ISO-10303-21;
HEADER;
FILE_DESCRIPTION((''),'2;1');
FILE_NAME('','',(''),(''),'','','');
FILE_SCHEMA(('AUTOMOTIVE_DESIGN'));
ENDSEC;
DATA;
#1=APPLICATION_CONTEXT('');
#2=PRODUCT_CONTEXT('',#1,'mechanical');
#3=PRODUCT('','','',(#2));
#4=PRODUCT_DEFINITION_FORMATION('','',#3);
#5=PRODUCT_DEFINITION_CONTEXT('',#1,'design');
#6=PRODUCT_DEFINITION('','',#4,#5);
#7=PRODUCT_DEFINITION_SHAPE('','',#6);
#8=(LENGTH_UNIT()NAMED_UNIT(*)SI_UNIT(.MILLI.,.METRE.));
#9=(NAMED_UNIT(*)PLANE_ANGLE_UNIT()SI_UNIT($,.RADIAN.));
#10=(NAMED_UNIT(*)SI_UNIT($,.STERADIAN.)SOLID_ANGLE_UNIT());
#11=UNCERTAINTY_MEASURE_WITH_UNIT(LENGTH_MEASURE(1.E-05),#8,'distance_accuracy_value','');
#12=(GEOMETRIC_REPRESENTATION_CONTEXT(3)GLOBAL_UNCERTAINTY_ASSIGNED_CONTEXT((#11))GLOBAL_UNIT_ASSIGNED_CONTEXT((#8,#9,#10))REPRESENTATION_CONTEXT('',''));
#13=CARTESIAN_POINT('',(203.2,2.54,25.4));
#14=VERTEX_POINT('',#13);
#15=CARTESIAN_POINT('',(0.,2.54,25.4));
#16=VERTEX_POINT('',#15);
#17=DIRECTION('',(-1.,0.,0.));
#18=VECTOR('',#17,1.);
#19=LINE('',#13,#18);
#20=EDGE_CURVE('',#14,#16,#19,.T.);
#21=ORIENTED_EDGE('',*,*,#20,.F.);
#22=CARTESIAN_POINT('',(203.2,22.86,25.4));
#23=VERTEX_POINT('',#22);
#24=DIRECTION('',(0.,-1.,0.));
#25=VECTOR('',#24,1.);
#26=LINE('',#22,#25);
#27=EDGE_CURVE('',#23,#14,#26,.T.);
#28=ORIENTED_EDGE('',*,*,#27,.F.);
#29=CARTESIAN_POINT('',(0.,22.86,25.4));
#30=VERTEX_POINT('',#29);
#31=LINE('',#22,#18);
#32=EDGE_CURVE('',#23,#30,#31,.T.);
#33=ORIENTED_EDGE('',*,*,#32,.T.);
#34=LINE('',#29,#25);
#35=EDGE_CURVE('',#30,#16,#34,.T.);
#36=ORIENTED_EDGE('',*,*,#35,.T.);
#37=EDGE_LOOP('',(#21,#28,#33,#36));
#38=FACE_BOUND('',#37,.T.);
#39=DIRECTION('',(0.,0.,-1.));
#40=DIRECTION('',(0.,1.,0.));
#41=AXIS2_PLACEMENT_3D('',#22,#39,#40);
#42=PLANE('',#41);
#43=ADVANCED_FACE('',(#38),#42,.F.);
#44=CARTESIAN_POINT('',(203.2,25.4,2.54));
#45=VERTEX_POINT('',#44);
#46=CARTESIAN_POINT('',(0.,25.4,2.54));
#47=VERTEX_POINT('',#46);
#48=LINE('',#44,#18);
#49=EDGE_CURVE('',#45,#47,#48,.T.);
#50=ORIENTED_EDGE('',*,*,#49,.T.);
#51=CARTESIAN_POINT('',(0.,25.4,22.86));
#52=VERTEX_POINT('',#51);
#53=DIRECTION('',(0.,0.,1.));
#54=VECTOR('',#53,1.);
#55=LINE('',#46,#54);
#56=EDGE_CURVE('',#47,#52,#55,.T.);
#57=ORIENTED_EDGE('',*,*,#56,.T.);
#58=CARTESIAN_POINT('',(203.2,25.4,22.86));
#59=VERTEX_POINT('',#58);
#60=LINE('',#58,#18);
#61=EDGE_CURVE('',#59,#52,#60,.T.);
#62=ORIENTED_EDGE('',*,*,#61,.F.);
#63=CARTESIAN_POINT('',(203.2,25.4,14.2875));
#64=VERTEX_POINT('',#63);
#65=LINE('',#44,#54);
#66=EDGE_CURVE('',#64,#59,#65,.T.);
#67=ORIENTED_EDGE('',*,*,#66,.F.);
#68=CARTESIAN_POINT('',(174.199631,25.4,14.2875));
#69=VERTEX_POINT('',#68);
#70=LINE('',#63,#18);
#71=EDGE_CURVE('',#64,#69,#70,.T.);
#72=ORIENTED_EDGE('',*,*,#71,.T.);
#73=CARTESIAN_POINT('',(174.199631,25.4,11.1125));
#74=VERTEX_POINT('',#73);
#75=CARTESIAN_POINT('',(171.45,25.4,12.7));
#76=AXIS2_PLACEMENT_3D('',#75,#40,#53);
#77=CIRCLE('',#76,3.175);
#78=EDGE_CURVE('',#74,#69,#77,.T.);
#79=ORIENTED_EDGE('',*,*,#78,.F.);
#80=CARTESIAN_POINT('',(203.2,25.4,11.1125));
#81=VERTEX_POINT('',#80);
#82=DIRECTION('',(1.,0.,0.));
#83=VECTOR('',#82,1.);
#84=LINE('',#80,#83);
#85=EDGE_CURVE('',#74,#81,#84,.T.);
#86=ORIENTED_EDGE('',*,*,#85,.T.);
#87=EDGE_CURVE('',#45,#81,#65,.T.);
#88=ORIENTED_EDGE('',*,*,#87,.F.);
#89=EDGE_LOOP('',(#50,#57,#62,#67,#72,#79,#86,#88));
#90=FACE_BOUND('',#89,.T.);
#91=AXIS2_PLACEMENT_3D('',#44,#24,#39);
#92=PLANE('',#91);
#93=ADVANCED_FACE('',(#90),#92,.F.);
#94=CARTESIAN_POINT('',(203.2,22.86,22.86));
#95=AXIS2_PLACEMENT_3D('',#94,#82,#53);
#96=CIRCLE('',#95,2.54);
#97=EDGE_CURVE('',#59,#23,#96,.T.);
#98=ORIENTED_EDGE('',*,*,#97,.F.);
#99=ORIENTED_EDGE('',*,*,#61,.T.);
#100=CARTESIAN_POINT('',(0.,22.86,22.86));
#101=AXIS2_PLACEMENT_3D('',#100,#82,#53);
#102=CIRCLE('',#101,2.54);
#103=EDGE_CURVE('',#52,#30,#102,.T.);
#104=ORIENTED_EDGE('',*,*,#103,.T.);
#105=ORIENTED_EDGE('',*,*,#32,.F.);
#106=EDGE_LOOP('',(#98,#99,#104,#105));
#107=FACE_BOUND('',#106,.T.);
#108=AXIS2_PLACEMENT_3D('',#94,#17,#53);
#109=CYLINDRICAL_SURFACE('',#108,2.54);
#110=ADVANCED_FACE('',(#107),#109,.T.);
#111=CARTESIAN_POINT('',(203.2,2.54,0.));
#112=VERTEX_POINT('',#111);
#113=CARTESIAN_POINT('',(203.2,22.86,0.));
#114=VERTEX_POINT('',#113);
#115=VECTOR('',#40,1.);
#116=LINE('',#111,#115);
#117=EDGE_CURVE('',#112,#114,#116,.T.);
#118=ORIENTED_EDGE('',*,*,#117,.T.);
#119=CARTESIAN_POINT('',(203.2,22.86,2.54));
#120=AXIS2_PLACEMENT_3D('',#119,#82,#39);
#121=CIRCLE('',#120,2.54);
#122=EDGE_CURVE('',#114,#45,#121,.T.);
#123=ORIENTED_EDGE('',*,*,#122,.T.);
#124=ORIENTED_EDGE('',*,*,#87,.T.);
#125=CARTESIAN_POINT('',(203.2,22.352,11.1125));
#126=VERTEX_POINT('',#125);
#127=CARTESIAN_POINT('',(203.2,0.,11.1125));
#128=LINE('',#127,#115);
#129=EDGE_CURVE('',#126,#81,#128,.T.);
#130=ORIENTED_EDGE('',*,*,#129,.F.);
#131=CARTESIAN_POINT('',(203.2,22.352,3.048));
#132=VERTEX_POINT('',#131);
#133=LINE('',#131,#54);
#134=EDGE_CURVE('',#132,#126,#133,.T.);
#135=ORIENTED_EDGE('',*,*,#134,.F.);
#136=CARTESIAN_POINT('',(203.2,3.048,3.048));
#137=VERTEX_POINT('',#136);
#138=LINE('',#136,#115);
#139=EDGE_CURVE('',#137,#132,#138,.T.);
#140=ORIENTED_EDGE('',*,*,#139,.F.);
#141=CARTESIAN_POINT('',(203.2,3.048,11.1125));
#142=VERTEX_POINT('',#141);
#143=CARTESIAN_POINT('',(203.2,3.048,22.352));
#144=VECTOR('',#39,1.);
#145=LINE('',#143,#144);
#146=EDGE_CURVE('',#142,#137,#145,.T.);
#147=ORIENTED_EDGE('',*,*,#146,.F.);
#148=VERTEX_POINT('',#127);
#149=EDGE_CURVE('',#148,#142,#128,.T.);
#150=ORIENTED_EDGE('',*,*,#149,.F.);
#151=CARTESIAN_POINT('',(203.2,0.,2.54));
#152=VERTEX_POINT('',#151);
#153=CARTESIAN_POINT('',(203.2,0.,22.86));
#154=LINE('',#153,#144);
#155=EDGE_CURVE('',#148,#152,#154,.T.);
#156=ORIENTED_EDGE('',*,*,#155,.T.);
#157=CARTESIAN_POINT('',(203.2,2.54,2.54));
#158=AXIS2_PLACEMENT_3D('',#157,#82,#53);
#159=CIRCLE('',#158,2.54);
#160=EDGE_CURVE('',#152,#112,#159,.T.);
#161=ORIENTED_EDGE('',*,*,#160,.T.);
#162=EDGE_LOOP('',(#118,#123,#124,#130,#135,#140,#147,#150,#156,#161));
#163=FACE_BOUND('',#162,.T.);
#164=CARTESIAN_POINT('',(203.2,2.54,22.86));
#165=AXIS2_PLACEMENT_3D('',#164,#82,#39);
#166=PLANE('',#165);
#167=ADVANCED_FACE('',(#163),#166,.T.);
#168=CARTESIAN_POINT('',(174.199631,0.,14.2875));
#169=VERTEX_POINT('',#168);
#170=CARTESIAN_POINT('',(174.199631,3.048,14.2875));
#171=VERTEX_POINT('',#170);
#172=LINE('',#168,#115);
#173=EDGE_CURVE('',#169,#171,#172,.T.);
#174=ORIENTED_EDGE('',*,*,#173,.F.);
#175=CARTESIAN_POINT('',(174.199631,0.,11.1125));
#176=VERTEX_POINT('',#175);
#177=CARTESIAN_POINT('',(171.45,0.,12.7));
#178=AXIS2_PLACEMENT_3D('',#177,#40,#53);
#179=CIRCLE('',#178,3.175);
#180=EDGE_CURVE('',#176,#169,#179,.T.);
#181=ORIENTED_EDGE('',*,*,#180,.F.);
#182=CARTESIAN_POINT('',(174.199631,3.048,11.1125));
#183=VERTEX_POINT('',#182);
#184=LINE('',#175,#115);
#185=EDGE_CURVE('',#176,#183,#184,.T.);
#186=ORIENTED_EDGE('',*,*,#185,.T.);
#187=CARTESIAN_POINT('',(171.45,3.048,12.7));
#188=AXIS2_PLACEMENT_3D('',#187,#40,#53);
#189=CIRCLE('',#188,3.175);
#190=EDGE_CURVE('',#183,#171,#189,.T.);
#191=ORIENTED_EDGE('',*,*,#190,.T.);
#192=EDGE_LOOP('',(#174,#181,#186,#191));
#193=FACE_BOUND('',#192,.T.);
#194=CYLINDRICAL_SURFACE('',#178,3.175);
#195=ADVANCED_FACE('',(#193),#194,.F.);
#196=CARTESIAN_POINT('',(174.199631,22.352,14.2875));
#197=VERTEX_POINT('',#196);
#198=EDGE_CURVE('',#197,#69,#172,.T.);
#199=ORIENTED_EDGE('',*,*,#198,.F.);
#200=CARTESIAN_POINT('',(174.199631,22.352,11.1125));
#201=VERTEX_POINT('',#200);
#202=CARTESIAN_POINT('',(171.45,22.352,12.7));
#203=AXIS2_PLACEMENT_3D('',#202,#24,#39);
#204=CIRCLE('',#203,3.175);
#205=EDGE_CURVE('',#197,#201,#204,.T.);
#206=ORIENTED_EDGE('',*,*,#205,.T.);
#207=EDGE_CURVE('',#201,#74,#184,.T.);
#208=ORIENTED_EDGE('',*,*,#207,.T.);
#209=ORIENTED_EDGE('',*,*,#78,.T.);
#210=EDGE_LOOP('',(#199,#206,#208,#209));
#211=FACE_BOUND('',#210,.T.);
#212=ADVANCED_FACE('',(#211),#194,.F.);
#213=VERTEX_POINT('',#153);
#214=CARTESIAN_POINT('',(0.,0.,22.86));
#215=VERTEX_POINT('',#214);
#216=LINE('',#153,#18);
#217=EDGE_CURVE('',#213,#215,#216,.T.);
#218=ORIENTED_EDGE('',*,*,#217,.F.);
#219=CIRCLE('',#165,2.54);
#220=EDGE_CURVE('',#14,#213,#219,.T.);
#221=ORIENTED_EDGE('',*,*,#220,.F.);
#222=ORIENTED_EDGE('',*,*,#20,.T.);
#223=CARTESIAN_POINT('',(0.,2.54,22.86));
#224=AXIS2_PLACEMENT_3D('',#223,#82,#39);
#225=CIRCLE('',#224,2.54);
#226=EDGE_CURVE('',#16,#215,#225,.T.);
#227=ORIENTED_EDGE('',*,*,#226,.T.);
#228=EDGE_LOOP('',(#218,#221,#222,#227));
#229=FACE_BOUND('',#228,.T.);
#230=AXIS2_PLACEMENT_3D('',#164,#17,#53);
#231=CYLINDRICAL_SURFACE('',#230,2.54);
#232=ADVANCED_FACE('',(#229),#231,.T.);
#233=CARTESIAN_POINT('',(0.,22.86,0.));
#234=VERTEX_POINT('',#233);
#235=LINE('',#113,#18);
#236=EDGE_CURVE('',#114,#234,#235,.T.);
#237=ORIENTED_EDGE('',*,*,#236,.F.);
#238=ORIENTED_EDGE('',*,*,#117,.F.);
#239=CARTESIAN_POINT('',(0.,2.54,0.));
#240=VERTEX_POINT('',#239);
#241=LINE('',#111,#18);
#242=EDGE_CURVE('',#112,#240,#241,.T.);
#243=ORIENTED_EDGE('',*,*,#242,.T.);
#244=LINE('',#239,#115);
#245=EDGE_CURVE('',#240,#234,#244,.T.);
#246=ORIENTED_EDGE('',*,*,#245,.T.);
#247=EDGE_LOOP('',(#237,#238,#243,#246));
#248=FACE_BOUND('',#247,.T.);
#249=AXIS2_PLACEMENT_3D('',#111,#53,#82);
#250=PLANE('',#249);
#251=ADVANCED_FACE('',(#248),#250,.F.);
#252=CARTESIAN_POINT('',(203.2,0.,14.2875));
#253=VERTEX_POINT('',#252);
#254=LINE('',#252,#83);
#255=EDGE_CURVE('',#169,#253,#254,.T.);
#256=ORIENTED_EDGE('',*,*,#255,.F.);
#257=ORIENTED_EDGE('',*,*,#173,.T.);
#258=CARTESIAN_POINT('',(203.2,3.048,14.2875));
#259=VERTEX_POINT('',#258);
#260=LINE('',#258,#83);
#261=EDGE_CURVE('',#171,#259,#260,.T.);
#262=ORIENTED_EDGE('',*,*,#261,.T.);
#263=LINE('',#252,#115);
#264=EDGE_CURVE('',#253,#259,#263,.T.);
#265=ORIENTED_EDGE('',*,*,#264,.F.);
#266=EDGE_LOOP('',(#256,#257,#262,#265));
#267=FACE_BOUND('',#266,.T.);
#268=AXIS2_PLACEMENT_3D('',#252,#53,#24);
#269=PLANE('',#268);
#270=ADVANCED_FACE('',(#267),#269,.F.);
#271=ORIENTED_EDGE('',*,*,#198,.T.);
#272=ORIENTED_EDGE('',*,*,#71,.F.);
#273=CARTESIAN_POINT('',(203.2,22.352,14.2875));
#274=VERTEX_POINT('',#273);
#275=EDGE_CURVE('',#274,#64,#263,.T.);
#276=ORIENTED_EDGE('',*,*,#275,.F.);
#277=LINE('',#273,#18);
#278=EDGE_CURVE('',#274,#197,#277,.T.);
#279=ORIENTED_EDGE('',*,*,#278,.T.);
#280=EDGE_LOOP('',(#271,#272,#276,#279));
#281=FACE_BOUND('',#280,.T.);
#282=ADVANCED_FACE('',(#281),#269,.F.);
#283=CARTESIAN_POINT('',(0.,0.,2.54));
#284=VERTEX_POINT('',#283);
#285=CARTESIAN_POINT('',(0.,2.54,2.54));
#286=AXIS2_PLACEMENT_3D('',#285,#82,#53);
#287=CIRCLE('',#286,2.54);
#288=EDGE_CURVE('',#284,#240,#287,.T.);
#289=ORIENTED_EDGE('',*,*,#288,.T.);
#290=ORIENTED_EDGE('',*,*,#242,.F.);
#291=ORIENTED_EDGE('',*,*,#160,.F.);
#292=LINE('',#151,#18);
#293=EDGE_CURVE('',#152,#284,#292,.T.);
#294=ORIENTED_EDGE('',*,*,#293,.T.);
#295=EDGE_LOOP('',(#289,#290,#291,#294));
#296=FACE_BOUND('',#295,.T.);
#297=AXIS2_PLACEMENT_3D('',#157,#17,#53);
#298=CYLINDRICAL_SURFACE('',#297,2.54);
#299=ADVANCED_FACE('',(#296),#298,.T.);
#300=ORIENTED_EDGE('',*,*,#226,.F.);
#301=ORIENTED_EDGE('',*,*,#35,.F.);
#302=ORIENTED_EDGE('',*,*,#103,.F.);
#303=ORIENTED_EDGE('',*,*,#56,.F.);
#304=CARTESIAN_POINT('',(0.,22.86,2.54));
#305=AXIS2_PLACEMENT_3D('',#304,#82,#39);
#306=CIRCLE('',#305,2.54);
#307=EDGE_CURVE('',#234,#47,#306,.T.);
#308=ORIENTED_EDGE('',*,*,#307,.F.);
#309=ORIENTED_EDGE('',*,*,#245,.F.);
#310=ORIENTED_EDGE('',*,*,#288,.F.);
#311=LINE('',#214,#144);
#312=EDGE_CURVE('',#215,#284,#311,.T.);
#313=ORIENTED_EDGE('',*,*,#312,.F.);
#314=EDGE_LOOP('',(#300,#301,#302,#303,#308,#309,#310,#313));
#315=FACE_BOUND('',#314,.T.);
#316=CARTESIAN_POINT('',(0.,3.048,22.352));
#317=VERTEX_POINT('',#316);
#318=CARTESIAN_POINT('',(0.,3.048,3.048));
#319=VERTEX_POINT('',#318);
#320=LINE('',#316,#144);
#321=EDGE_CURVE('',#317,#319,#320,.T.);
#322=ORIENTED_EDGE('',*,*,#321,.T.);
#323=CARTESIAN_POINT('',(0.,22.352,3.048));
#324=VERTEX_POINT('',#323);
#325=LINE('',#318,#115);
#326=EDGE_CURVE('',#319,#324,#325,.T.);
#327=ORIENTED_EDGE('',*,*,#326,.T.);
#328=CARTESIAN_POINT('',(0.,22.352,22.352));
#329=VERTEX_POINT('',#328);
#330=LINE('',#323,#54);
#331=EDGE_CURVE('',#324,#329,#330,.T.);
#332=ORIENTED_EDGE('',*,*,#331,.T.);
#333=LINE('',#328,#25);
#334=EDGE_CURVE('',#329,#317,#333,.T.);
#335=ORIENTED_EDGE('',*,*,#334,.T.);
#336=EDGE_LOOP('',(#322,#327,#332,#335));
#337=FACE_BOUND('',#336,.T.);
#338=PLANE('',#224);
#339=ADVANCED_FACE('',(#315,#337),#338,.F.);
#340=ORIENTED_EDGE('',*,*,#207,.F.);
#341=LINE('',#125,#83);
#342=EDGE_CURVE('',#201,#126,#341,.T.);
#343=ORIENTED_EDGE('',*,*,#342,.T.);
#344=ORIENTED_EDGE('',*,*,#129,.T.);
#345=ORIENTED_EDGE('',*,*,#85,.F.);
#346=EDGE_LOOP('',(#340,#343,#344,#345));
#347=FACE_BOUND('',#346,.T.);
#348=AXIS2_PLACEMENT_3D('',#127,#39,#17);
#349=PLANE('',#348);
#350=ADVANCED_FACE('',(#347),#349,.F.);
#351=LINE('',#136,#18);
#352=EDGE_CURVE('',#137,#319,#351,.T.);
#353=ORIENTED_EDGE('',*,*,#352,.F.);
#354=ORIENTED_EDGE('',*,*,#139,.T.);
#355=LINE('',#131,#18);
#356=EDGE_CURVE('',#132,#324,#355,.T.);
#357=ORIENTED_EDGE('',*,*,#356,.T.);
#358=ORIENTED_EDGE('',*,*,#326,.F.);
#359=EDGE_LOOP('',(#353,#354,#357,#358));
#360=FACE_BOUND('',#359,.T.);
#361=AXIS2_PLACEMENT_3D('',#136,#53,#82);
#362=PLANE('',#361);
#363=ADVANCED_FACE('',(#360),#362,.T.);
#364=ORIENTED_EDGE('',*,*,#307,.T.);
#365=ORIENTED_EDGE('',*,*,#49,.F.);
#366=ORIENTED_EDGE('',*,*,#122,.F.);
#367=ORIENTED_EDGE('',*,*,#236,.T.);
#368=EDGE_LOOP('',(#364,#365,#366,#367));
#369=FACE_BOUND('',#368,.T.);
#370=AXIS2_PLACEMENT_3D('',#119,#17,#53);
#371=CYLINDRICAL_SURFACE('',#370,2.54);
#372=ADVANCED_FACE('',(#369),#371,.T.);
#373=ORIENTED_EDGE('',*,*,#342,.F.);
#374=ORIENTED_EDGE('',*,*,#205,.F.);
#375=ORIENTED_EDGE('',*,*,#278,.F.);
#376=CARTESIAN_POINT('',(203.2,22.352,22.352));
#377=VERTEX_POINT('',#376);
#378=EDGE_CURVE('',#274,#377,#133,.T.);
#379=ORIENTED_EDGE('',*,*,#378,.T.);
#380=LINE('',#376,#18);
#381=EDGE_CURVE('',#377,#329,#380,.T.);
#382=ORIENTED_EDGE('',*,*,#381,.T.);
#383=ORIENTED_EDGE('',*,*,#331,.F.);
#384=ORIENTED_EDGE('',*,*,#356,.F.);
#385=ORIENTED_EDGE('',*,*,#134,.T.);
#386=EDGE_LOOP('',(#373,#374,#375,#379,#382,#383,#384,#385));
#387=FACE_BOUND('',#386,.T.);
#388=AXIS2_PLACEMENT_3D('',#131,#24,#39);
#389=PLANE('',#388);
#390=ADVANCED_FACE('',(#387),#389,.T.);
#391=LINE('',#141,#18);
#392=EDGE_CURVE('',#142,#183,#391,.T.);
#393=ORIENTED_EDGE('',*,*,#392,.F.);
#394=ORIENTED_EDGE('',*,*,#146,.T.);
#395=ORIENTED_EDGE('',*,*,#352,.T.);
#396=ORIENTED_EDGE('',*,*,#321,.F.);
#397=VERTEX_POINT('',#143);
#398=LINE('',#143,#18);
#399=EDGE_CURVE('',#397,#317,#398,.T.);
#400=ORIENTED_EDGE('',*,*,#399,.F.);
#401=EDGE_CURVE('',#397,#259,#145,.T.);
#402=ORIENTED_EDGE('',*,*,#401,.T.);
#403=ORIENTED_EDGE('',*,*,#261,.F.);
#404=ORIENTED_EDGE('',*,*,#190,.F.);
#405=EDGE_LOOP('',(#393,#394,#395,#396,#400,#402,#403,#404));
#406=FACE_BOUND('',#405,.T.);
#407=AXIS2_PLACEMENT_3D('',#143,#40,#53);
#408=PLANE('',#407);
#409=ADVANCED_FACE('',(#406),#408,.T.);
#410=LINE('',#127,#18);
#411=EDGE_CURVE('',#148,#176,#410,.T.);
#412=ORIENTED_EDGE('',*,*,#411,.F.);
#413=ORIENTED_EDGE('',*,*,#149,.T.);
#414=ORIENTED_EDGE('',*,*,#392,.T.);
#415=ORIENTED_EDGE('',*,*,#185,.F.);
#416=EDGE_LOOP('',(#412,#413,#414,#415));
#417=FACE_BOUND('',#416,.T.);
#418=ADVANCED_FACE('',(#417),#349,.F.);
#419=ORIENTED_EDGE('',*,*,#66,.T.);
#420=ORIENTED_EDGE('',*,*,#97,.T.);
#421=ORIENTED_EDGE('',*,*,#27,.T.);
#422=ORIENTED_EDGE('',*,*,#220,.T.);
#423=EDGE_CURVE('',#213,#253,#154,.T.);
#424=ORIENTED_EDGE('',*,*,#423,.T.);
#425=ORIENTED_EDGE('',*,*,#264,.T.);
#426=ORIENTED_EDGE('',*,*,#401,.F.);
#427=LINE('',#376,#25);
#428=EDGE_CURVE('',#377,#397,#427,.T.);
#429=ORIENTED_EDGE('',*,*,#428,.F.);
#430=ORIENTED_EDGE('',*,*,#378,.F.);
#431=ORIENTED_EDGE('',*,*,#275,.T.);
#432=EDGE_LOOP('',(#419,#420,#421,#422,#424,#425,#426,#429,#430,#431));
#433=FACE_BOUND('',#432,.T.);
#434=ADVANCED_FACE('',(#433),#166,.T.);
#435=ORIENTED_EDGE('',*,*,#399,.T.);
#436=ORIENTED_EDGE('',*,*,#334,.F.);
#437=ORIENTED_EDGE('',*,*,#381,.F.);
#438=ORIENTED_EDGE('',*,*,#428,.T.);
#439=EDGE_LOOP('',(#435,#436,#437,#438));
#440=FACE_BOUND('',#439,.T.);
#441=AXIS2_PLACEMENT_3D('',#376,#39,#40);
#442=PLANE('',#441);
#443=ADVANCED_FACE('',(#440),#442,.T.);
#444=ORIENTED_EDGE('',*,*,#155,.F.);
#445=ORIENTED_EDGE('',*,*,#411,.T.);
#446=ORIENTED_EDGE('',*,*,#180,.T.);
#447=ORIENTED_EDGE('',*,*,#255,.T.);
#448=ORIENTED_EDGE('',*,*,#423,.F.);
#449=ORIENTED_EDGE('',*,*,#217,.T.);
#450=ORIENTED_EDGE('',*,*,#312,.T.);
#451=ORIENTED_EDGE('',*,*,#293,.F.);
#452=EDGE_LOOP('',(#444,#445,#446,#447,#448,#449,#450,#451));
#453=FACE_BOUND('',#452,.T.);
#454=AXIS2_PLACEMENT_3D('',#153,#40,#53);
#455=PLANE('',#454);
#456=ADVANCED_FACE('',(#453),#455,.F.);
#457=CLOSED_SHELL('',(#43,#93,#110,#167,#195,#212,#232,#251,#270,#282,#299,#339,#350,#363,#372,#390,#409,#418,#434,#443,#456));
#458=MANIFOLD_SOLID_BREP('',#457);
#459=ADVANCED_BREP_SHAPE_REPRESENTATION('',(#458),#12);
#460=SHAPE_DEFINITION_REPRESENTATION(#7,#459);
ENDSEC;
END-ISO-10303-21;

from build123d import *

# Parameters (mm, degrees)
SKETCH1_W               = 19.304
SKETCH1_H               = 19.304
BOSS_EXTRUDE1_DEPTH     = 203.2
CUT_EXTRUDE1_DEPTH      = 207.350575478
CUT_EXTRUDE1_DEPTH_BACK = 207.350575478


with BuildPart() as part:
    # Sketch1 → Boss-Extrude1 (new body)
    with BuildSketch(Plane(origin=(0, 0, 0), x_dir=(0, 0, -1), z_dir=(1, 0, 0))):
        with BuildLine():
            Line((0, 2.54), (0, 22.86))
            ThreePointArc((0, 22.86), (-0.743948776, 24.656051224), (-2.54, 25.4))
            Line((-2.54, 25.4), (-22.86, 25.4))
            ThreePointArc((-22.86, 25.4), (-24.656051224, 24.656051224), (-25.4, 22.86))
            Line((-25.4, 22.86), (-25.4, 2.54))
            ThreePointArc((-25.4, 2.54), (-24.656051224, 0.743948776), (-22.86, 0))
            Line((-22.86, 0), (-2.54, 0))
            ThreePointArc((-2.54, 0), (-0.743948776, 0.743948776), (0, 2.54))
        make_face()
        with Locations((-12.7, 12.7)):
            Rectangle(SKETCH1_W, SKETCH1_H, mode=Mode.SUBTRACT)
    extrude(amount=BOSS_EXTRUDE1_DEPTH)

    # Sketch2 → Cut-Extrude1 (cut, two sides: drawn at the far end of the back side and taken through both)
    with BuildSketch(Plane(origin=(0, 25.4, 0), x_dir=(1, 0, 0), z_dir=(0, 1, 0)).offset(-CUT_EXTRUDE1_DEPTH_BACK)):
        with BuildLine():
            Line((203.2, -11.1125), (174.199630657, -11.1125))
            ThreePointArc((174.199630657, -11.1125), (168.275, -12.7), (174.199630657, -14.2875))
            Line((174.199630657, -14.2875), (203.2, -14.2875))
            Line((203.2, -14.2875), (203.2, -11.1125))
        make_face()
    extrude(amount=CUT_EXTRUDE1_DEPTH + CUT_EXTRUDE1_DEPTH_BACK, mode=Mode.SUBTRACT)


solid = part.part
